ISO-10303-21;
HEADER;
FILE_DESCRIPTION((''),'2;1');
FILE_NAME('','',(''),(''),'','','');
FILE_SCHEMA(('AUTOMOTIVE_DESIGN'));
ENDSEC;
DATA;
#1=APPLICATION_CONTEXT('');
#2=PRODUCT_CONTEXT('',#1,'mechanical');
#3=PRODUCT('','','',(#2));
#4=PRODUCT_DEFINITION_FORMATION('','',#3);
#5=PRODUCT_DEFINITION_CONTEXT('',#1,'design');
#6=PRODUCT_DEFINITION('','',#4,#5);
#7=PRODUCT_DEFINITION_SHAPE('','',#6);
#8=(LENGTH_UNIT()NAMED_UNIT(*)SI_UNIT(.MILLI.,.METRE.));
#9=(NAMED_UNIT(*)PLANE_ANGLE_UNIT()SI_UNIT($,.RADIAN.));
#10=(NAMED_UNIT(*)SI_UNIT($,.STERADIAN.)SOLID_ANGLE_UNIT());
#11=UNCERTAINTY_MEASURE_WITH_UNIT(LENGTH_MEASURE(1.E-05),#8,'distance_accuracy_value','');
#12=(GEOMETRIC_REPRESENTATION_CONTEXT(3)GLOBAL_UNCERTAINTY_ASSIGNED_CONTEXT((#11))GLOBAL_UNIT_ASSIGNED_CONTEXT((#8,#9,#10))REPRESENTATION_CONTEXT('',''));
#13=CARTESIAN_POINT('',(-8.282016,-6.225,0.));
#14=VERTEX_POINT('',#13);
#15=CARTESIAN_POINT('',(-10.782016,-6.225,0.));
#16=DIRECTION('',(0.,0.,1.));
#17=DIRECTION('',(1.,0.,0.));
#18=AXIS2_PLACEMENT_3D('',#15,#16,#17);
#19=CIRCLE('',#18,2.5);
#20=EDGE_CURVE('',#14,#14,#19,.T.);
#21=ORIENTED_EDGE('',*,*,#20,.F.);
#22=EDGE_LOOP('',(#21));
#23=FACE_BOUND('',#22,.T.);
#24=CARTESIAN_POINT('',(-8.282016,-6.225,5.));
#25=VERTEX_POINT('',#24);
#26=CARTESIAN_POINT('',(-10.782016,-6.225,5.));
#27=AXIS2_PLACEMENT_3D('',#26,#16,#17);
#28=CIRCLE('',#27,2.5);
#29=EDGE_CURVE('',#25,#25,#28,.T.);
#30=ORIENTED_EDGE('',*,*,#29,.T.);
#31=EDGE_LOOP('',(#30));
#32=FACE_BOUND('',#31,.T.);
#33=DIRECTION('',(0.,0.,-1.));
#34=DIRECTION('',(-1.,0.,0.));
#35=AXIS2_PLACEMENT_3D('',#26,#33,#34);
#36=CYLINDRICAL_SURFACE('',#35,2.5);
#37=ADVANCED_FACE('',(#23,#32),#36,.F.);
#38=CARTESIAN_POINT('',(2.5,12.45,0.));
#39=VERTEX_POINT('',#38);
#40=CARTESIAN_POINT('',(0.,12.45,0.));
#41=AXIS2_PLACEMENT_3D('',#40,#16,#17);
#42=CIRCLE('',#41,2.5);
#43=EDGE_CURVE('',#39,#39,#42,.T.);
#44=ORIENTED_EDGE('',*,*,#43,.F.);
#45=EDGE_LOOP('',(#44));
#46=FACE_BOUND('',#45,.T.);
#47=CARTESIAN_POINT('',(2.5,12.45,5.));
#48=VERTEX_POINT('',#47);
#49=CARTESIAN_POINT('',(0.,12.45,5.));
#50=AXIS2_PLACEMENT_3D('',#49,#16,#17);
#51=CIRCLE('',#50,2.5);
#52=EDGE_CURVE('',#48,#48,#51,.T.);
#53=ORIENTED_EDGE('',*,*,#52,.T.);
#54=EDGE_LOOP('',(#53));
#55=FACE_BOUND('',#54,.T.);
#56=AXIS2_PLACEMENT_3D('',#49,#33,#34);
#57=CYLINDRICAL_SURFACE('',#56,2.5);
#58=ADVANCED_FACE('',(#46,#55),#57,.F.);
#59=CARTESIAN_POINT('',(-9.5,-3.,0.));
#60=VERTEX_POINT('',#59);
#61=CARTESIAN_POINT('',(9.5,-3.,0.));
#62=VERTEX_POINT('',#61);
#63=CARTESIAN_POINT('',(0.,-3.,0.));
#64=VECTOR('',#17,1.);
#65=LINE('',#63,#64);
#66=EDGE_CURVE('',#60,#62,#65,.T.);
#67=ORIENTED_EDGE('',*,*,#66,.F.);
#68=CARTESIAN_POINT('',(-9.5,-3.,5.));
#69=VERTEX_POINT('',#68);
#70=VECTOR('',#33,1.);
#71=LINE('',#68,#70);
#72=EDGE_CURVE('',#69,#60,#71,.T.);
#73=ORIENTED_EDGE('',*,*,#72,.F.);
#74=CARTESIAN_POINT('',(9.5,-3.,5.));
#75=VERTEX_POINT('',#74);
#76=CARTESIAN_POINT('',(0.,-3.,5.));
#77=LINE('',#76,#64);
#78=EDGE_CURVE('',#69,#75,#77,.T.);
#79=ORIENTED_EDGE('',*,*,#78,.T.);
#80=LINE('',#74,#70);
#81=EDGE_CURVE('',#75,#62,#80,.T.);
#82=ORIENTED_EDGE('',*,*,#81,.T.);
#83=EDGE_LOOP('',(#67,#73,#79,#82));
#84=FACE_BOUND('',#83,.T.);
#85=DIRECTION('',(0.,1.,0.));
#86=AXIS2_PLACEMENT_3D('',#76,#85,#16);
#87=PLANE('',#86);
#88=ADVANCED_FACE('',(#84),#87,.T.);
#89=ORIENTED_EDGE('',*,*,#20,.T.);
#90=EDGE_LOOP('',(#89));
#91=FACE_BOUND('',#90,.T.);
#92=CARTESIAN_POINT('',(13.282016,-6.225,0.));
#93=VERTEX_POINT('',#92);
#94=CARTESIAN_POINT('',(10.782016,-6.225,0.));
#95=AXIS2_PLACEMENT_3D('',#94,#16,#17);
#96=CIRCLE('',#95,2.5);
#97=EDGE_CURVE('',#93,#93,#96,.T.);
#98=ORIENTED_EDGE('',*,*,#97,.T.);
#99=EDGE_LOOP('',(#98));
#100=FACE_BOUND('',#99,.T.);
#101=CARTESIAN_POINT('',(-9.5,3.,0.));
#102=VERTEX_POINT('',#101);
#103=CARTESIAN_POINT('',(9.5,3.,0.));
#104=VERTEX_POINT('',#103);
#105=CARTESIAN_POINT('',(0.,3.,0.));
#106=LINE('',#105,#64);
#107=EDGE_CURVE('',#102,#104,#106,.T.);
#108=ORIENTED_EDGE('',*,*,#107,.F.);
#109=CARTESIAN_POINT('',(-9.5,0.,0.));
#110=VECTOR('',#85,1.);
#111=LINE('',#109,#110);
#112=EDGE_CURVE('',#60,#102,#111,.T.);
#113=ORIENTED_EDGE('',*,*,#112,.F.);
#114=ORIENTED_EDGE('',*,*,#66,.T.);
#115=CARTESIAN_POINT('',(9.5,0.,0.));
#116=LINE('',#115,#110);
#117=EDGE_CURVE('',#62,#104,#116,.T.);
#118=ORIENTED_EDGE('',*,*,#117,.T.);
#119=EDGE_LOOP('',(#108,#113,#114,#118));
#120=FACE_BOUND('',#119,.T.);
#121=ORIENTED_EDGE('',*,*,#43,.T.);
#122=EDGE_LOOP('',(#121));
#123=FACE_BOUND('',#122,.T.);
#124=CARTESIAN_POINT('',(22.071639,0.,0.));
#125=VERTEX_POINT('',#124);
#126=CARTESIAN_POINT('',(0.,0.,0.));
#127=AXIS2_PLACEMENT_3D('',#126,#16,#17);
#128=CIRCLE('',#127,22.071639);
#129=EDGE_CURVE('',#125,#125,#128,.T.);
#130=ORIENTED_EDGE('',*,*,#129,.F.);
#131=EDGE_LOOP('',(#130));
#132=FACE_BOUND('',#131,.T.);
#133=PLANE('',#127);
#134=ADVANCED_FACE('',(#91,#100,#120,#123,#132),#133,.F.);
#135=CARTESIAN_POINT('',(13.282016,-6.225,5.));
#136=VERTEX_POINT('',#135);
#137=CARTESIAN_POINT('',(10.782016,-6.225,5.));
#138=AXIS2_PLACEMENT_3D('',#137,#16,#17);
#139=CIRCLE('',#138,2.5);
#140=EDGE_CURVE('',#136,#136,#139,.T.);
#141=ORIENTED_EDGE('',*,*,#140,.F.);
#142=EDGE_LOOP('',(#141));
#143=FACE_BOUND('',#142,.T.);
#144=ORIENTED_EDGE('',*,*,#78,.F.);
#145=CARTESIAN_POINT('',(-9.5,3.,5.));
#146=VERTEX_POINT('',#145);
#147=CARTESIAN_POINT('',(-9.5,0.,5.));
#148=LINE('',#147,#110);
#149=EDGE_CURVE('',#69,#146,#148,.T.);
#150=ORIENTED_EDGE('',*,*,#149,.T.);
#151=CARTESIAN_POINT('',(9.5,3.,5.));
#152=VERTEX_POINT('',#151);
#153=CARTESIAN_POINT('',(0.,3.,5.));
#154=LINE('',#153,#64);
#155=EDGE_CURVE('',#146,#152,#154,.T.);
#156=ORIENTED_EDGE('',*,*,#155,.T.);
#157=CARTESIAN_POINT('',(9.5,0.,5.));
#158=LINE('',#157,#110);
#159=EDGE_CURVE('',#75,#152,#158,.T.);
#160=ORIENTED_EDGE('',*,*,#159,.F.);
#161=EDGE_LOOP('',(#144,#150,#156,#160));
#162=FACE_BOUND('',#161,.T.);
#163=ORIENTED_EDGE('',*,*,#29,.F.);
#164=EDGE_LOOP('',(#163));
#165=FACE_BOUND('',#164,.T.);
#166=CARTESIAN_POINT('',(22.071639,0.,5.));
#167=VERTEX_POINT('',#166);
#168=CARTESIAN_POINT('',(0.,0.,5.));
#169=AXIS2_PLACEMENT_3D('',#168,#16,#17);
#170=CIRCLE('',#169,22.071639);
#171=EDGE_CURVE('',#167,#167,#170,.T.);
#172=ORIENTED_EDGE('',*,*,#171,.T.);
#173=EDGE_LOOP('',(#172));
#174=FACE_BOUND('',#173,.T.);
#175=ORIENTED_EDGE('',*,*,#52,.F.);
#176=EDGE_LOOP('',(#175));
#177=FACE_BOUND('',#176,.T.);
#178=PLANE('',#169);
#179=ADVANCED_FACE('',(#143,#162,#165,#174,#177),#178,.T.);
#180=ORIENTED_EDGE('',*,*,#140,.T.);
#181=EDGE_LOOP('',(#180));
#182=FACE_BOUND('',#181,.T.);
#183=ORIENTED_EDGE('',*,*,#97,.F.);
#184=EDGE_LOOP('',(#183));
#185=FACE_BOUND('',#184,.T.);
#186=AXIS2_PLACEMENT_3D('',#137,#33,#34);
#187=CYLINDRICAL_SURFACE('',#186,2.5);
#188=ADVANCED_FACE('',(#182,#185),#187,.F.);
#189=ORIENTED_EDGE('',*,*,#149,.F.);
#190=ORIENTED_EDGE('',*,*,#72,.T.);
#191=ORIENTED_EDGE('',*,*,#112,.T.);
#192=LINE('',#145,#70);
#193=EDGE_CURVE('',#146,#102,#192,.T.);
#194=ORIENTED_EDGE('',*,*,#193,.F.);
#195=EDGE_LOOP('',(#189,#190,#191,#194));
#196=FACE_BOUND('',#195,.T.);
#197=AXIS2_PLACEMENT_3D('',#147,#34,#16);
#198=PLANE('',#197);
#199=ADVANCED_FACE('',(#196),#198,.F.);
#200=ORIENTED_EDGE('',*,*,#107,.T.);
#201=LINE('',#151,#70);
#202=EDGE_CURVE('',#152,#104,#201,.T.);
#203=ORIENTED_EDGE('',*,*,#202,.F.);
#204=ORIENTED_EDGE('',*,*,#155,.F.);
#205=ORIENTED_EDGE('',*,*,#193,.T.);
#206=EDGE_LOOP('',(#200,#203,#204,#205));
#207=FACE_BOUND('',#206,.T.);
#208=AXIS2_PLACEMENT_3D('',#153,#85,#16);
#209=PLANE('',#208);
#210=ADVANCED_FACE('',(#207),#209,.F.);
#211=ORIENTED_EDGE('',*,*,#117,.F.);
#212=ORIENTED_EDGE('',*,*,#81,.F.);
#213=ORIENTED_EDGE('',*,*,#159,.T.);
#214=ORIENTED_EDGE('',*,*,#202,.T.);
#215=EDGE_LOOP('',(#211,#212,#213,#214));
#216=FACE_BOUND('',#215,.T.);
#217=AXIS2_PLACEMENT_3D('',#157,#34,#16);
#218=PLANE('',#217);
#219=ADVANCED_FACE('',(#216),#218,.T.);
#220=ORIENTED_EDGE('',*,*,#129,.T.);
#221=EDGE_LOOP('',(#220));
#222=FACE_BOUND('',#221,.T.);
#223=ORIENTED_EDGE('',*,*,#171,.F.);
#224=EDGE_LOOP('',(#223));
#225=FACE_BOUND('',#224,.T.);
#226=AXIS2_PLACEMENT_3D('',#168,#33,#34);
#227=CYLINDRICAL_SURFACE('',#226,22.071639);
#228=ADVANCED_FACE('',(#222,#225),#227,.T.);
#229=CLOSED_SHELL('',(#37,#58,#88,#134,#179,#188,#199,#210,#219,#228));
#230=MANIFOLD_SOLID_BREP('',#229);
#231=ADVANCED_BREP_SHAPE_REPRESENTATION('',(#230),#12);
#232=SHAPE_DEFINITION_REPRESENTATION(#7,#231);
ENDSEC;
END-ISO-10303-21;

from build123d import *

# Parameters (mm, degrees)
SKETCH_1_R      = 22.071639064
SKETCH_1_R_2    = 2.5
SKETCH_1_W      = 19
SKETCH_1_H      = 6
EXTRUDE_1_DEPTH = 5


with BuildPart() as part:
    # 스케치1 → 보스-돌출1 (new body)
    with BuildSketch(Plane.XY):
        Circle(SKETCH_1_R)
        with Locations((0, 12.45)):
            Circle(SKETCH_1_R_2, mode=Mode.SUBTRACT)
        with Locations((10.782016277, -6.225)):
            Circle(SKETCH_1_R_2, mode=Mode.SUBTRACT)
        with Locations((-10.782016277, -6.225)):
            Circle(SKETCH_1_R_2, mode=Mode.SUBTRACT)
        Rectangle(SKETCH_1_W, SKETCH_1_H, mode=Mode.SUBTRACT)
    extrude(amount=EXTRUDE_1_DEPTH)


solid = part.part
